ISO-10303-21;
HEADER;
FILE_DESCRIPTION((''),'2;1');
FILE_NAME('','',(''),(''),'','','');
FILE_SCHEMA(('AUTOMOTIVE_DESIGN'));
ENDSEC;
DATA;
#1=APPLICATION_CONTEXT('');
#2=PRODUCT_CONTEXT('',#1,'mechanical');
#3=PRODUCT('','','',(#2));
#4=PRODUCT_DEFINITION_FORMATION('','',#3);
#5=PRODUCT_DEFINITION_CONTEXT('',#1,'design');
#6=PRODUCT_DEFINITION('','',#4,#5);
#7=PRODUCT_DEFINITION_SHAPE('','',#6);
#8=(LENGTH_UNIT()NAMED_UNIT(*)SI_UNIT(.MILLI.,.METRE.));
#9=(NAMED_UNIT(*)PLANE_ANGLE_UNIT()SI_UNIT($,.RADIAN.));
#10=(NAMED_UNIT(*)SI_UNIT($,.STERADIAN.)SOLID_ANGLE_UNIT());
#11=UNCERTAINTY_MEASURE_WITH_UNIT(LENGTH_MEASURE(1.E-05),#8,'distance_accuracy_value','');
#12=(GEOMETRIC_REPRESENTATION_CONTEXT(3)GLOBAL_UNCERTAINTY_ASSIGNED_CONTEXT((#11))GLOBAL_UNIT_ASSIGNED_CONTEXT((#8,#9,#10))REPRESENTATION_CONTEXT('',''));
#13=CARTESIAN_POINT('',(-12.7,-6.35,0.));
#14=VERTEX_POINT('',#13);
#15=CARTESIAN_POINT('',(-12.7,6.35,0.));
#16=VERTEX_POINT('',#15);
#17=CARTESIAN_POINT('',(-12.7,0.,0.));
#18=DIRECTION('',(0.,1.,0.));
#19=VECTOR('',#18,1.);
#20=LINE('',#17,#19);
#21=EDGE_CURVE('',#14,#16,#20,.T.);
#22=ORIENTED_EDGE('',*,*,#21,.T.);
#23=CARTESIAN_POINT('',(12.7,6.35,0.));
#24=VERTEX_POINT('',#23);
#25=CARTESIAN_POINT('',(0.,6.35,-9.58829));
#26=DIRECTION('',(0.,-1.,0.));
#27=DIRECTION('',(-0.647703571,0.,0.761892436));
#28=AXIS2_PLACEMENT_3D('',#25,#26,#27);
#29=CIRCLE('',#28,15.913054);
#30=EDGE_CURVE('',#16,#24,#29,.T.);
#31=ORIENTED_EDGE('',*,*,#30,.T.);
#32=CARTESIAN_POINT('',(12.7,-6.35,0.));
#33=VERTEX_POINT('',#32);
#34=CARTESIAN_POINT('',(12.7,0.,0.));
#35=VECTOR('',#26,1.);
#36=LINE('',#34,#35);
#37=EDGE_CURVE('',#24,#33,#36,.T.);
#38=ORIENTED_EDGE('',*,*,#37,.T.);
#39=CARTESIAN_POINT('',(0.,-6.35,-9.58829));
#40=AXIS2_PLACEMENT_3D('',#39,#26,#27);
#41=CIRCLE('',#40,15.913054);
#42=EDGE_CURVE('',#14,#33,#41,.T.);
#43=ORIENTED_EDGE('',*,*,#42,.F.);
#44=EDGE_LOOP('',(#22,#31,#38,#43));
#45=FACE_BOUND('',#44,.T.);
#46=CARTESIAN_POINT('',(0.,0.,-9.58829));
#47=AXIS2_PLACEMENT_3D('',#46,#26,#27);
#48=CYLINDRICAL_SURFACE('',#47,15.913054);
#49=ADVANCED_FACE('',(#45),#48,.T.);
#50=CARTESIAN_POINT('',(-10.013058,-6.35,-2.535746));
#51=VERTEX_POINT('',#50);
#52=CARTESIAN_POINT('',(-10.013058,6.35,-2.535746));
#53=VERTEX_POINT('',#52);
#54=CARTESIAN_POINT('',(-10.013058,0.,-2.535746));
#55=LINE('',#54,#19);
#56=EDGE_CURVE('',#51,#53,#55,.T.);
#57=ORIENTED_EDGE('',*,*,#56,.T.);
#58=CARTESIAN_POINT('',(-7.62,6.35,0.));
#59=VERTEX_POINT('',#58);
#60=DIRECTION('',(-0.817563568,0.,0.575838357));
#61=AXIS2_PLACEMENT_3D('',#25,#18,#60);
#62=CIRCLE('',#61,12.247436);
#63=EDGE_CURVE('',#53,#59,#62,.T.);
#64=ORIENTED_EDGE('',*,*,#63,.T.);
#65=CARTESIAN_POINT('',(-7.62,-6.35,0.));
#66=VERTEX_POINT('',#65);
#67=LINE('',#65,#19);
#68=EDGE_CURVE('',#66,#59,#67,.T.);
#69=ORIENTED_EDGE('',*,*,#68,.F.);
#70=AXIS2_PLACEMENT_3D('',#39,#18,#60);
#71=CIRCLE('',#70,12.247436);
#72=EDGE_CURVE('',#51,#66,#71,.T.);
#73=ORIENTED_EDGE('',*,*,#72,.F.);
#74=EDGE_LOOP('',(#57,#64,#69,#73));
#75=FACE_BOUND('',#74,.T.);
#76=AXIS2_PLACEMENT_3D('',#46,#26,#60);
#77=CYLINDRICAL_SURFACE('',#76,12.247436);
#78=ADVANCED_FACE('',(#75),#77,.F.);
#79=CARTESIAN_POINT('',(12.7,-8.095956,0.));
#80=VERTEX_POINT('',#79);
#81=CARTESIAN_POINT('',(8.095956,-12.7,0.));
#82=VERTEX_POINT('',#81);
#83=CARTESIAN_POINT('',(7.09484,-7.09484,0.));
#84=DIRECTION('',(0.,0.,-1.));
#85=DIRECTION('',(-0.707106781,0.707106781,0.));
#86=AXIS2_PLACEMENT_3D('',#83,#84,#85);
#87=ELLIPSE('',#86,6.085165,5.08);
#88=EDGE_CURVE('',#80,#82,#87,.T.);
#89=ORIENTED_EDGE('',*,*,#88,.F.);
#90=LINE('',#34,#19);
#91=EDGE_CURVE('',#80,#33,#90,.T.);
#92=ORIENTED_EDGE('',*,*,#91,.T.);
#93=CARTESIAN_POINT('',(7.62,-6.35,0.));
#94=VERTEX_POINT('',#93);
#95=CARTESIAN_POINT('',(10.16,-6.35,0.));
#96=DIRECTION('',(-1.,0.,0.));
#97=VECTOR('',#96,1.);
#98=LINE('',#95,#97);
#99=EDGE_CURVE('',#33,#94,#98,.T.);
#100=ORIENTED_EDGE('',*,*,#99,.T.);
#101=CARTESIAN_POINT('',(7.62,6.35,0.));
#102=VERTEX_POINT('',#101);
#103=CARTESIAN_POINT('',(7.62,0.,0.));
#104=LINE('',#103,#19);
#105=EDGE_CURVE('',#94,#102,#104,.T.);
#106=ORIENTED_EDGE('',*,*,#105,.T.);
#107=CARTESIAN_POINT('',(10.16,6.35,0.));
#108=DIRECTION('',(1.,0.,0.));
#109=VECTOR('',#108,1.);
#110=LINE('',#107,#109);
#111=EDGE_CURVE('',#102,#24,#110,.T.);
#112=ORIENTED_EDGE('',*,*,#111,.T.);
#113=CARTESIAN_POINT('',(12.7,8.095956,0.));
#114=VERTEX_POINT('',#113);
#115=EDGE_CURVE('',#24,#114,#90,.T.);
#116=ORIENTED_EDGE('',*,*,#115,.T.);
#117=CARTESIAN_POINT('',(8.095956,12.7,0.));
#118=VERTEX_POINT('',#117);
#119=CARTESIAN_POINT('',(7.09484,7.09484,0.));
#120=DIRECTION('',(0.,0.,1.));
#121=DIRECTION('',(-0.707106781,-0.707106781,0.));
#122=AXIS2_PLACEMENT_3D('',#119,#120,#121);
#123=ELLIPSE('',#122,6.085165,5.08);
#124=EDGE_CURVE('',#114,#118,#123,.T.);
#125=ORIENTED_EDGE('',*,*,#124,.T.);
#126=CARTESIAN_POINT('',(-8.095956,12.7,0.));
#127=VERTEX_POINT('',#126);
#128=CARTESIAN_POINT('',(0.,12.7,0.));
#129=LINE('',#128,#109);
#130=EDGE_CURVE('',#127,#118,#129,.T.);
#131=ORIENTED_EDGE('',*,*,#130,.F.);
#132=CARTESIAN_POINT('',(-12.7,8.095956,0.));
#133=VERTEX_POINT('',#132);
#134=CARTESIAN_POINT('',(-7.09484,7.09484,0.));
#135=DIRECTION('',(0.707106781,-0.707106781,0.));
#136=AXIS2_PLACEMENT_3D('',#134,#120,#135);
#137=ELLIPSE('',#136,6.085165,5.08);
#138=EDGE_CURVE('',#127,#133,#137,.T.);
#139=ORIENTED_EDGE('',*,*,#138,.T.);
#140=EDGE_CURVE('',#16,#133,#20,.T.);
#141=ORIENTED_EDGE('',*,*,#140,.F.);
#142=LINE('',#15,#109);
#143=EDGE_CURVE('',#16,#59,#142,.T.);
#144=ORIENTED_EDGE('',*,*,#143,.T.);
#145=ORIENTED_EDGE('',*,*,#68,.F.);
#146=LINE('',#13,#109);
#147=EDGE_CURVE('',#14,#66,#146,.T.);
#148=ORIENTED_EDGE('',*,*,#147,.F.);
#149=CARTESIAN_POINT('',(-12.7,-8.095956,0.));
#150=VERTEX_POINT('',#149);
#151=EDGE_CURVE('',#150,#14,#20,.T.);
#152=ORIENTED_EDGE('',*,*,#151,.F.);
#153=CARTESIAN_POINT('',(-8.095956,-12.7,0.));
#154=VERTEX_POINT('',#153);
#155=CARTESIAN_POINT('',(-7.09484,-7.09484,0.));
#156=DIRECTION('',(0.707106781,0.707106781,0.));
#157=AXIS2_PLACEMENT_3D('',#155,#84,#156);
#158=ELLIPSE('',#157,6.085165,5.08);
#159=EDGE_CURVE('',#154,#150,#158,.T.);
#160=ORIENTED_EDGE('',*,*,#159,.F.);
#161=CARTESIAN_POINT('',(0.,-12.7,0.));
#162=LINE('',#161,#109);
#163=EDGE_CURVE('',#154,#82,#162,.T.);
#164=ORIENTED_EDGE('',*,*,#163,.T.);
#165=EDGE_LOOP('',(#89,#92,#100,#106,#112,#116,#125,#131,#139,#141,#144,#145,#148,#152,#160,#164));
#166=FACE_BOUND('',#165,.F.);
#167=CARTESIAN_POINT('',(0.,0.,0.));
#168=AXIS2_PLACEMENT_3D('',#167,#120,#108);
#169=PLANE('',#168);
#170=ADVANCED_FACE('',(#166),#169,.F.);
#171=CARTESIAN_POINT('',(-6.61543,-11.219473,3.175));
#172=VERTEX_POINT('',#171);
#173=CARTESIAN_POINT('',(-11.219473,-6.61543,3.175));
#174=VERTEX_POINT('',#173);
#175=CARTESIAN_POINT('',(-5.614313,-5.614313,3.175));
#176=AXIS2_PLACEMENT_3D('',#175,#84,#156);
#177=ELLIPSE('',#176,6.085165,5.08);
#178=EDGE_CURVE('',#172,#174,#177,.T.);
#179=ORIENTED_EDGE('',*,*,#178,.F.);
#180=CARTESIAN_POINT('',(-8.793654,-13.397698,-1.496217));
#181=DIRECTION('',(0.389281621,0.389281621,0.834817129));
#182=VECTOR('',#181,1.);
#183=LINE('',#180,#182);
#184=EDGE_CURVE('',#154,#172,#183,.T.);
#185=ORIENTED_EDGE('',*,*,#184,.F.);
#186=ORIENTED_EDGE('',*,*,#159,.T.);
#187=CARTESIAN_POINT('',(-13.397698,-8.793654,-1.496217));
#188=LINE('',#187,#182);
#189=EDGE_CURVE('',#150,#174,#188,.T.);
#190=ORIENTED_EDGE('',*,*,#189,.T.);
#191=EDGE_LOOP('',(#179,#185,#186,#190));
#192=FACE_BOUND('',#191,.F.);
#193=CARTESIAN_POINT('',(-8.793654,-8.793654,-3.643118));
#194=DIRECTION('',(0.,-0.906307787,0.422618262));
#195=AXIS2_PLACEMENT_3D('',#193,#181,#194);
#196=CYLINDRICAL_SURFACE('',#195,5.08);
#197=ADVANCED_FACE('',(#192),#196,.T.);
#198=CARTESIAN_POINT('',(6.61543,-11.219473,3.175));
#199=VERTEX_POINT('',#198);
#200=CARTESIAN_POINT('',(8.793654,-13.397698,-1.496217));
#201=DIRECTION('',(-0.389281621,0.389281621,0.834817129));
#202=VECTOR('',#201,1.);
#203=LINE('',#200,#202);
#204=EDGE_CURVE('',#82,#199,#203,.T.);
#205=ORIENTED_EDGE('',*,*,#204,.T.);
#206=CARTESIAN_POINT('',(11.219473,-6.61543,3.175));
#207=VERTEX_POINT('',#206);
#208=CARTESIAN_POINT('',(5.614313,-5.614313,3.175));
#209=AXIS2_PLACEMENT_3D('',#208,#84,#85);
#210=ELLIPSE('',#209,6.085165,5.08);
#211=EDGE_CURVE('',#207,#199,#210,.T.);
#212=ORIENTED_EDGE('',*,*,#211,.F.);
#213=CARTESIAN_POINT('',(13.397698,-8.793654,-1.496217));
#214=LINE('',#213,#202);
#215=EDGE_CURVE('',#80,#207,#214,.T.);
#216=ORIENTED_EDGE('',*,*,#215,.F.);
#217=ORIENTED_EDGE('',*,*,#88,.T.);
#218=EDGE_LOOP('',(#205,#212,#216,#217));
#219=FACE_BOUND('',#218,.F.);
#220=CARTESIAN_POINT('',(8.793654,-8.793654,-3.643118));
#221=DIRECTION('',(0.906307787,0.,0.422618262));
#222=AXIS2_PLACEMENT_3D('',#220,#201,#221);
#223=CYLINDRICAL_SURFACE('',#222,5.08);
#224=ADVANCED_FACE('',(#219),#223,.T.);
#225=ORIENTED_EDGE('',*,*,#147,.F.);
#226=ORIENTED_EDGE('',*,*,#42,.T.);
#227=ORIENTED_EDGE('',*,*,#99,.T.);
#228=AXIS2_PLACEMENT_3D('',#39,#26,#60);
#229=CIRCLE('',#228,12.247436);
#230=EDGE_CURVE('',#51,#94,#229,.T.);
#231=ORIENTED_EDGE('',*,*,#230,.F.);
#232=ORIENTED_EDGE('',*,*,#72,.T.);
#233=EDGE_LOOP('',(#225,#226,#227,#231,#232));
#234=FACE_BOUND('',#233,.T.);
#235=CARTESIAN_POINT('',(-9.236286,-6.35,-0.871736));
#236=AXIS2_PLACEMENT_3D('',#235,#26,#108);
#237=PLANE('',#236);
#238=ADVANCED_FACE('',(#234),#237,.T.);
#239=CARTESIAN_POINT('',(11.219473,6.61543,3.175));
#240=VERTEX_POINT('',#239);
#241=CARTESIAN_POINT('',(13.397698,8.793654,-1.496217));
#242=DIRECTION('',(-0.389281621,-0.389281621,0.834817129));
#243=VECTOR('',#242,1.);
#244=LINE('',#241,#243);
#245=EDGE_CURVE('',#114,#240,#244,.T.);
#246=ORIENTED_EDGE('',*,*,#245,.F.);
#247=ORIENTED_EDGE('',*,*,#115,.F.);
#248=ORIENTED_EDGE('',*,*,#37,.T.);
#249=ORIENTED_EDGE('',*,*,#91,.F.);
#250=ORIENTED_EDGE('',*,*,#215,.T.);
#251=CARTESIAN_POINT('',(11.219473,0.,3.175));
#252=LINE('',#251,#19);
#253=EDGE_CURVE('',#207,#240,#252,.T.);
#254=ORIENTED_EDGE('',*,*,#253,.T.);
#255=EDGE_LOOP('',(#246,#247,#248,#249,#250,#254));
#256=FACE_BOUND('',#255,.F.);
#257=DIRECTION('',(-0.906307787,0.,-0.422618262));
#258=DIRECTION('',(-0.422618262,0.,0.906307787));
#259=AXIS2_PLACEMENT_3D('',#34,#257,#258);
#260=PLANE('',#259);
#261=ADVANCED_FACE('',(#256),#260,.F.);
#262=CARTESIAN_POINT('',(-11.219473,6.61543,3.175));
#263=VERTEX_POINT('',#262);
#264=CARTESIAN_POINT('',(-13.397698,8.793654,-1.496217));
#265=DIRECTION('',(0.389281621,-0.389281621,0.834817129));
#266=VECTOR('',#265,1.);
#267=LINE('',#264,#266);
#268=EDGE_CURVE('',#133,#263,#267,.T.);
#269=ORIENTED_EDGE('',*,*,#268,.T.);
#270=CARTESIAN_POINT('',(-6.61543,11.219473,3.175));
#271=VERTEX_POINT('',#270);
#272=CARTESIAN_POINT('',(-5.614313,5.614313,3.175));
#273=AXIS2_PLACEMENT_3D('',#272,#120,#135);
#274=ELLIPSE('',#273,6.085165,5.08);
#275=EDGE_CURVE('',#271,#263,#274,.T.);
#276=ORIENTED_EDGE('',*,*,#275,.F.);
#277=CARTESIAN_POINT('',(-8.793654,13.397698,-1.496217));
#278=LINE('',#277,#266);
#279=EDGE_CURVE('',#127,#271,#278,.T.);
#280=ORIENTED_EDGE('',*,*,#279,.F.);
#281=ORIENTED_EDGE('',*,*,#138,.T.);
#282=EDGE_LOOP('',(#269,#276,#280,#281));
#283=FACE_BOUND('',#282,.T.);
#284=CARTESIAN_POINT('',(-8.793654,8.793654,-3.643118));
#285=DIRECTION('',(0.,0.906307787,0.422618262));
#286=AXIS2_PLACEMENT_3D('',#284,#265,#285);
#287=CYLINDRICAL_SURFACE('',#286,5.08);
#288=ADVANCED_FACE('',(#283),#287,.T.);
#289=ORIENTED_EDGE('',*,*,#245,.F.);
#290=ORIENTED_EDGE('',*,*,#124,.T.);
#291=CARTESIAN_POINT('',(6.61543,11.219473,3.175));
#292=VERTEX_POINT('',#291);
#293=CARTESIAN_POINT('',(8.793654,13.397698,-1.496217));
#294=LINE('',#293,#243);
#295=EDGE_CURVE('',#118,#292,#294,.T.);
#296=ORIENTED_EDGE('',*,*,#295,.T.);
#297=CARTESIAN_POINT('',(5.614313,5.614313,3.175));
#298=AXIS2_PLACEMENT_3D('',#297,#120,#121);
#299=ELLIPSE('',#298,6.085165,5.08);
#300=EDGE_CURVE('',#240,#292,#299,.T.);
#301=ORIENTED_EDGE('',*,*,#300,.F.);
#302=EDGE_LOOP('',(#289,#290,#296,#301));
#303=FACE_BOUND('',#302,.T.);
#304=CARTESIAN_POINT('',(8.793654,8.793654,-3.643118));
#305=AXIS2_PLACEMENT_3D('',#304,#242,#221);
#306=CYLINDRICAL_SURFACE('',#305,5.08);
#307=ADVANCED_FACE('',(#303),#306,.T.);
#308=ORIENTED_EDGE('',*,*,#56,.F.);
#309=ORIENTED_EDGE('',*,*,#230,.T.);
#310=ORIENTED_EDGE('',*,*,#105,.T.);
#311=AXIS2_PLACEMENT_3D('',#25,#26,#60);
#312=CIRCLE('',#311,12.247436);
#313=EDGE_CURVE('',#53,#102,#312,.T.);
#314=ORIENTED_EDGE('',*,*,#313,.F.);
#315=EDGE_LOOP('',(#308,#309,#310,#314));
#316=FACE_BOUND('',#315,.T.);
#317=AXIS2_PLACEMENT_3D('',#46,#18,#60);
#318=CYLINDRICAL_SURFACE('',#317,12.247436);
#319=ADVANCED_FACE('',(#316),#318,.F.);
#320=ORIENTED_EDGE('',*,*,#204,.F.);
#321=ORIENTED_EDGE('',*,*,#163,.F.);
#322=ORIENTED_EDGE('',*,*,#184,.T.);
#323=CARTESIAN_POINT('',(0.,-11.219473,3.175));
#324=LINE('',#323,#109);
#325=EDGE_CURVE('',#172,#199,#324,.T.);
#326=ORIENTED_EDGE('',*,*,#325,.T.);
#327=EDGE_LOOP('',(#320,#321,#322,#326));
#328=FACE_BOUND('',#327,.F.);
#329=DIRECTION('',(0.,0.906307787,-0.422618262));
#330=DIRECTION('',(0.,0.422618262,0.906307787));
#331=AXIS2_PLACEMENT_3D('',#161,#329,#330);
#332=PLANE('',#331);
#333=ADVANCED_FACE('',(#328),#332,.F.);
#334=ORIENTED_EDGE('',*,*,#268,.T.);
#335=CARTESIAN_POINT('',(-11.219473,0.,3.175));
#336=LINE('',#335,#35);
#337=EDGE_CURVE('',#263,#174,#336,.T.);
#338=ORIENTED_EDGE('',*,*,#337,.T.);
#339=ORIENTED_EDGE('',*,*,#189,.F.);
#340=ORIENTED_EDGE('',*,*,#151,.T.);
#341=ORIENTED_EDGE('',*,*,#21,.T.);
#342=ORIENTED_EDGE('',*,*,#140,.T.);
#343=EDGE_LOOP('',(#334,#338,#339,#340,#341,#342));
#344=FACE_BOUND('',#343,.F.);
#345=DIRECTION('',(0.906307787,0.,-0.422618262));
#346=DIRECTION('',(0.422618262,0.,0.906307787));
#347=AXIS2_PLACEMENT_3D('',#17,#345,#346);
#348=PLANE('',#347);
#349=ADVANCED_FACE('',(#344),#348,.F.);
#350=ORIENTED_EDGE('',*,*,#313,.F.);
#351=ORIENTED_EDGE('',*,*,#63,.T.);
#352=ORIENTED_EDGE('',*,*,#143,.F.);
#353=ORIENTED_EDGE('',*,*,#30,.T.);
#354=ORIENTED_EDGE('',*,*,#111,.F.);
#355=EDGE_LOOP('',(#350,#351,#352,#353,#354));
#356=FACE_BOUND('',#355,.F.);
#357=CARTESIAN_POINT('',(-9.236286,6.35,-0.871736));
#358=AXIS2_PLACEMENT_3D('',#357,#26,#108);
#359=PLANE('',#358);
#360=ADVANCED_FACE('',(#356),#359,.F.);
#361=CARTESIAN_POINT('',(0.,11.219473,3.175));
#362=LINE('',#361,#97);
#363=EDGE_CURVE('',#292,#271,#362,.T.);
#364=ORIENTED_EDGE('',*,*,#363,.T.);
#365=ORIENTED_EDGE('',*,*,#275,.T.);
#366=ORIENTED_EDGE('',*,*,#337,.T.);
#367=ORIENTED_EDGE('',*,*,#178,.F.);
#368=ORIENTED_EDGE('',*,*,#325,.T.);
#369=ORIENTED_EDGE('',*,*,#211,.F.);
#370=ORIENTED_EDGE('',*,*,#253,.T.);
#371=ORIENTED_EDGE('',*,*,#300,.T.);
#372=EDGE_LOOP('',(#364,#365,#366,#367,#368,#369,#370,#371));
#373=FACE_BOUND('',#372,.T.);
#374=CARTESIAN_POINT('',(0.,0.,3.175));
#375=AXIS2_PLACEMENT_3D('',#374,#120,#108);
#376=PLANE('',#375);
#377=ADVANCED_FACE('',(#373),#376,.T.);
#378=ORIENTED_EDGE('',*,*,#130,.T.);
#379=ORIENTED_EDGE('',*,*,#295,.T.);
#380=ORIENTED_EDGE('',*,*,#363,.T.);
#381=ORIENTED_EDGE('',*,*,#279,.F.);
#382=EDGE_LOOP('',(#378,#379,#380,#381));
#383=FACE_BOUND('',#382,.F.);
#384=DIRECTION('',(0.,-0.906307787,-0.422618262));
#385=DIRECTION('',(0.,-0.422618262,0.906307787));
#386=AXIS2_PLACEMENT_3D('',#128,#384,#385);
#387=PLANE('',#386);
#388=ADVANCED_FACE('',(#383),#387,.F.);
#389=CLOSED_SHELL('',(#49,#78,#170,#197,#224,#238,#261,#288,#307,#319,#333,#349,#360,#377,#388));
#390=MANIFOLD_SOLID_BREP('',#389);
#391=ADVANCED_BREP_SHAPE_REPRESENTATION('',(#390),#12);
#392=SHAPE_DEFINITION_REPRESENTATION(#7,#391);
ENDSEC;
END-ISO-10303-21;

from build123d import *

# Parameters (mm, degrees)
F0_W     = 25.4
F0_H     = 25.4
F1_DEPTH = 3.175
F1_TAPER = 25
F3_W     = 5.08
F3_H     = 12.7
F6_DEPTH = 6.35
F7_R     = 5.08


with BuildPart() as f1:
    # F0 (on Top) → F1 (new body)
    with BuildSketch(Plane.XY):
        Rectangle(F0_W, F0_H)
    extrude(amount=F1_DEPTH, taper=F1_TAPER)

    # F4: sweep along a path in F2
    with BuildLine(Plane.XZ) as f4_path:
        ThreePointArc((-10.16, 0), (0, -23.5582897328), (10.16, 0))
    # F3 (on face) → F4 (sweep)
    with BuildSketch(Plane(origin=(0, 0, 0), x_dir=(1, 0, 0), z_dir=(0, 0, -1))):
        with Locations((10.16, 0)):
            Rectangle(F3_W, F3_H)
    sweep(path=f4_path.line)

    # F5 (on Front) → F6 (join, symmetric)
    with BuildSketch(Plane.XZ):
        with BuildLine():
            Line((-7.62, 0), (-10.16, 0))
            Line((-10.16, 0), (-10.0130578512, -2.535746045))
            ThreePointArc((-10.0130578512, -2.535746045), (-8.9072265211, -1.1822790439), (-7.62, 0))
        make_face()
    extrude(amount=F6_DEPTH, both=True)

    # F7
    f7_edges = [f1.edges().sort_by_distance(p)[0] for p in [
        (-11.959737, 11.959737, 1.5875),
        (11.959737, 11.959737, 1.5875),
        (11.959737, -11.959737, 1.5875),
        (-11.959737, -11.959737, 1.5875),
    ]]
    fillet(f7_edges, radius=F7_R)


solid = f1.part
